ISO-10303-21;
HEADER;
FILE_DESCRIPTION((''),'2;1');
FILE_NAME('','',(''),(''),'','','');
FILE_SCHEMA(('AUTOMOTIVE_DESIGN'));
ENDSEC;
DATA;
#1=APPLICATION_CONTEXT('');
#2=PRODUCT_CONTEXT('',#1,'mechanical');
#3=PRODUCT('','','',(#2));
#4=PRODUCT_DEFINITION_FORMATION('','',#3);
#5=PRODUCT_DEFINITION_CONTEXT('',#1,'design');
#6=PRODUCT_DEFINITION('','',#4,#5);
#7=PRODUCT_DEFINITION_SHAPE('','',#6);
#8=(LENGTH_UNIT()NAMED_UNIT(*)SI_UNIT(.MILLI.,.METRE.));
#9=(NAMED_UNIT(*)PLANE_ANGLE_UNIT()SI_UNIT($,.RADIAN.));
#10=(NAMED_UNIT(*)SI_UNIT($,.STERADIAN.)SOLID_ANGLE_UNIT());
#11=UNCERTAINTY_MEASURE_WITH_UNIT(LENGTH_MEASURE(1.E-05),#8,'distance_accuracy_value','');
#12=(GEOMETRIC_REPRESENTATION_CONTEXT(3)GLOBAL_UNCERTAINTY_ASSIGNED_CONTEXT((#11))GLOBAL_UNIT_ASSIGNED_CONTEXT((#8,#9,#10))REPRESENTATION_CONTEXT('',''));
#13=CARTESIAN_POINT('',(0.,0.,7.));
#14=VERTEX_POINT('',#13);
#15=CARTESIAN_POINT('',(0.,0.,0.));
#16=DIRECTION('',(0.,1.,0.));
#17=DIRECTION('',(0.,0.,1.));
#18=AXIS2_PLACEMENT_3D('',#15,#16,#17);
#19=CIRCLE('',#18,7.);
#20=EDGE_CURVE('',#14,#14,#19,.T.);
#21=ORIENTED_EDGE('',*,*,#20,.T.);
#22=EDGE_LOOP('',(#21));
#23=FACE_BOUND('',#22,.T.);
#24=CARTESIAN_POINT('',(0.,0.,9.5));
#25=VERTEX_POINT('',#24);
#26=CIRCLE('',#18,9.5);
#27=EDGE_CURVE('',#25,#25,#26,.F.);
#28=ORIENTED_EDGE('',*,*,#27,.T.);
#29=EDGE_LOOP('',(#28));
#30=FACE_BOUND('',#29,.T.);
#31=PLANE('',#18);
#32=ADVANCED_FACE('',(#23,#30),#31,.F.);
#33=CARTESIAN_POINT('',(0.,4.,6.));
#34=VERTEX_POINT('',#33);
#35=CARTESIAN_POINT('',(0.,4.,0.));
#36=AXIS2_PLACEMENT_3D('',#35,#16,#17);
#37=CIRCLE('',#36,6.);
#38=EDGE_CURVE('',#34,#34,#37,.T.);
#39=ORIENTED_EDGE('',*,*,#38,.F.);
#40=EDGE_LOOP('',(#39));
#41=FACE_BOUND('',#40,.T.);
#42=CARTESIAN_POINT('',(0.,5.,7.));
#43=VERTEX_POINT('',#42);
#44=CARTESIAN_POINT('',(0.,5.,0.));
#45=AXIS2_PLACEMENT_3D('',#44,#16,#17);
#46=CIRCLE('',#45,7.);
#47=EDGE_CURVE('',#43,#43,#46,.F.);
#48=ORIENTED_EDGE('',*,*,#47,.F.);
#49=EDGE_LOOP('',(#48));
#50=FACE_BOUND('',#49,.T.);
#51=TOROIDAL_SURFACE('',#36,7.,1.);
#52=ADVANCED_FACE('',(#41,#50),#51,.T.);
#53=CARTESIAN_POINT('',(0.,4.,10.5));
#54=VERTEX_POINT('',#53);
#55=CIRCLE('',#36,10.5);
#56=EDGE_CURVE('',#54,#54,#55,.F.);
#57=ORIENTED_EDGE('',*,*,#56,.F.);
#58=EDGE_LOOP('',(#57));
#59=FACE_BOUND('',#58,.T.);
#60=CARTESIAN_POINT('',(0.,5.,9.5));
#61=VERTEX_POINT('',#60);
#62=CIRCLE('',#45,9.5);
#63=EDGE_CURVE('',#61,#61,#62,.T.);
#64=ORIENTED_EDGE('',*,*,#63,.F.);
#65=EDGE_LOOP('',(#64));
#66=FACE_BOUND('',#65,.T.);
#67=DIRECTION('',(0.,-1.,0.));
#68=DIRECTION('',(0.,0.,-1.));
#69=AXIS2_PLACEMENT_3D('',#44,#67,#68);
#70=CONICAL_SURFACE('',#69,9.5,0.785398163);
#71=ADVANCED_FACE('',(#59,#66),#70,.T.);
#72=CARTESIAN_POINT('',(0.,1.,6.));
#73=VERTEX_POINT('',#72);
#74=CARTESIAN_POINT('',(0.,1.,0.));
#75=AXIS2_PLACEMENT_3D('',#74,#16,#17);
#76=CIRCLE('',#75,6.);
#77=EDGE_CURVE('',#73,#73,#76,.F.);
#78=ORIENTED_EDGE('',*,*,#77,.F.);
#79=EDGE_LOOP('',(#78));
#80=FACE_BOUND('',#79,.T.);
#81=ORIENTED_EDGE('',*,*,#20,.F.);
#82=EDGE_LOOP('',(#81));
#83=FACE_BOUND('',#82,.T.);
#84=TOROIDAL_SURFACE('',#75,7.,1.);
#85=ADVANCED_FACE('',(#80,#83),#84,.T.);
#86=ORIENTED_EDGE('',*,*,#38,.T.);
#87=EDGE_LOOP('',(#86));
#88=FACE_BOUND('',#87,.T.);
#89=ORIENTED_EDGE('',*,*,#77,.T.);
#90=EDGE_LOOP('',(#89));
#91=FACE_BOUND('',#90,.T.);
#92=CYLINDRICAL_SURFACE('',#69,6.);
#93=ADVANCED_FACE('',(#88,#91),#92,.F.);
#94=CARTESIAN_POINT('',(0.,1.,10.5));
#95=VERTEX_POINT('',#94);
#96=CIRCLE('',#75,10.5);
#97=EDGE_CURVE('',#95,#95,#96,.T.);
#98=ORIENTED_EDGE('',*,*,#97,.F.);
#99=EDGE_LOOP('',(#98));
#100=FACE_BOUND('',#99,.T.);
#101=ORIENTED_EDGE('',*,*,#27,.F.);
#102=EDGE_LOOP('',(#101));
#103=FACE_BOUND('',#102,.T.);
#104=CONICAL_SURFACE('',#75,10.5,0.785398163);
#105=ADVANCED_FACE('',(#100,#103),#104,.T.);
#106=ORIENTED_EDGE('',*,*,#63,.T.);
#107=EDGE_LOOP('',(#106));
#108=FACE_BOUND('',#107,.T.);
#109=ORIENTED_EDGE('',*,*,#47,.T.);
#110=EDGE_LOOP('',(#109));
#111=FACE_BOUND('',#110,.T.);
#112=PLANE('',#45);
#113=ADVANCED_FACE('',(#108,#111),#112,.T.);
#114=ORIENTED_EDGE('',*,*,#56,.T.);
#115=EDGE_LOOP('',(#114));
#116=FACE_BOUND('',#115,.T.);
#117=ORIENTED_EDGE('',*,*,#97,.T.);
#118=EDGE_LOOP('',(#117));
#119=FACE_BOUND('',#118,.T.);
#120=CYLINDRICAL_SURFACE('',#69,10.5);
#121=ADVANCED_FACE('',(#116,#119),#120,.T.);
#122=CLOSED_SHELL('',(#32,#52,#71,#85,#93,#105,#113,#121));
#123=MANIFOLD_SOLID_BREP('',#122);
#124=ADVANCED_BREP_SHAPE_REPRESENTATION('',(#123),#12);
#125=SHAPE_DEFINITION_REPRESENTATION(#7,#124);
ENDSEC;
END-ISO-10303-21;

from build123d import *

# Parameters (mm, degrees)
SKETCH_1_R      = 10.5
SKETCH_1_R_2    = 6
EXTRUDE_1_DEPTH = 5
FILLET_1_R      = 1
CHAMFER_1_SIZE  = 1


with BuildPart() as part:
    # Эскиз1 → Бобышка-Вытянуть1 (new body)
    with BuildSketch(Plane(origin=(0, 0, 0), x_dir=(1, 0, 0), z_dir=(0, 1, 0))):
        Circle(SKETCH_1_R)
        Circle(SKETCH_1_R_2, mode=Mode.SUBTRACT)
    extrude(amount=EXTRUDE_1_DEPTH)

    # Скругление1
    fillet_1_edges = [part.edges().sort_by_distance(p)[0] for p in [
        (-6, 0, 0),
        (-6, 5, 0),
    ]]
    fillet(fillet_1_edges, radius=FILLET_1_R)

    # Фаска1
    chamfer_1_edges = [part.edges().sort_by_distance(p)[0] for p in [
        (-10.5, 0, 0),
        (-10.5, 5, 0),
    ]]
    chamfer(chamfer_1_edges, length=CHAMFER_1_SIZE)


solid = part.part
